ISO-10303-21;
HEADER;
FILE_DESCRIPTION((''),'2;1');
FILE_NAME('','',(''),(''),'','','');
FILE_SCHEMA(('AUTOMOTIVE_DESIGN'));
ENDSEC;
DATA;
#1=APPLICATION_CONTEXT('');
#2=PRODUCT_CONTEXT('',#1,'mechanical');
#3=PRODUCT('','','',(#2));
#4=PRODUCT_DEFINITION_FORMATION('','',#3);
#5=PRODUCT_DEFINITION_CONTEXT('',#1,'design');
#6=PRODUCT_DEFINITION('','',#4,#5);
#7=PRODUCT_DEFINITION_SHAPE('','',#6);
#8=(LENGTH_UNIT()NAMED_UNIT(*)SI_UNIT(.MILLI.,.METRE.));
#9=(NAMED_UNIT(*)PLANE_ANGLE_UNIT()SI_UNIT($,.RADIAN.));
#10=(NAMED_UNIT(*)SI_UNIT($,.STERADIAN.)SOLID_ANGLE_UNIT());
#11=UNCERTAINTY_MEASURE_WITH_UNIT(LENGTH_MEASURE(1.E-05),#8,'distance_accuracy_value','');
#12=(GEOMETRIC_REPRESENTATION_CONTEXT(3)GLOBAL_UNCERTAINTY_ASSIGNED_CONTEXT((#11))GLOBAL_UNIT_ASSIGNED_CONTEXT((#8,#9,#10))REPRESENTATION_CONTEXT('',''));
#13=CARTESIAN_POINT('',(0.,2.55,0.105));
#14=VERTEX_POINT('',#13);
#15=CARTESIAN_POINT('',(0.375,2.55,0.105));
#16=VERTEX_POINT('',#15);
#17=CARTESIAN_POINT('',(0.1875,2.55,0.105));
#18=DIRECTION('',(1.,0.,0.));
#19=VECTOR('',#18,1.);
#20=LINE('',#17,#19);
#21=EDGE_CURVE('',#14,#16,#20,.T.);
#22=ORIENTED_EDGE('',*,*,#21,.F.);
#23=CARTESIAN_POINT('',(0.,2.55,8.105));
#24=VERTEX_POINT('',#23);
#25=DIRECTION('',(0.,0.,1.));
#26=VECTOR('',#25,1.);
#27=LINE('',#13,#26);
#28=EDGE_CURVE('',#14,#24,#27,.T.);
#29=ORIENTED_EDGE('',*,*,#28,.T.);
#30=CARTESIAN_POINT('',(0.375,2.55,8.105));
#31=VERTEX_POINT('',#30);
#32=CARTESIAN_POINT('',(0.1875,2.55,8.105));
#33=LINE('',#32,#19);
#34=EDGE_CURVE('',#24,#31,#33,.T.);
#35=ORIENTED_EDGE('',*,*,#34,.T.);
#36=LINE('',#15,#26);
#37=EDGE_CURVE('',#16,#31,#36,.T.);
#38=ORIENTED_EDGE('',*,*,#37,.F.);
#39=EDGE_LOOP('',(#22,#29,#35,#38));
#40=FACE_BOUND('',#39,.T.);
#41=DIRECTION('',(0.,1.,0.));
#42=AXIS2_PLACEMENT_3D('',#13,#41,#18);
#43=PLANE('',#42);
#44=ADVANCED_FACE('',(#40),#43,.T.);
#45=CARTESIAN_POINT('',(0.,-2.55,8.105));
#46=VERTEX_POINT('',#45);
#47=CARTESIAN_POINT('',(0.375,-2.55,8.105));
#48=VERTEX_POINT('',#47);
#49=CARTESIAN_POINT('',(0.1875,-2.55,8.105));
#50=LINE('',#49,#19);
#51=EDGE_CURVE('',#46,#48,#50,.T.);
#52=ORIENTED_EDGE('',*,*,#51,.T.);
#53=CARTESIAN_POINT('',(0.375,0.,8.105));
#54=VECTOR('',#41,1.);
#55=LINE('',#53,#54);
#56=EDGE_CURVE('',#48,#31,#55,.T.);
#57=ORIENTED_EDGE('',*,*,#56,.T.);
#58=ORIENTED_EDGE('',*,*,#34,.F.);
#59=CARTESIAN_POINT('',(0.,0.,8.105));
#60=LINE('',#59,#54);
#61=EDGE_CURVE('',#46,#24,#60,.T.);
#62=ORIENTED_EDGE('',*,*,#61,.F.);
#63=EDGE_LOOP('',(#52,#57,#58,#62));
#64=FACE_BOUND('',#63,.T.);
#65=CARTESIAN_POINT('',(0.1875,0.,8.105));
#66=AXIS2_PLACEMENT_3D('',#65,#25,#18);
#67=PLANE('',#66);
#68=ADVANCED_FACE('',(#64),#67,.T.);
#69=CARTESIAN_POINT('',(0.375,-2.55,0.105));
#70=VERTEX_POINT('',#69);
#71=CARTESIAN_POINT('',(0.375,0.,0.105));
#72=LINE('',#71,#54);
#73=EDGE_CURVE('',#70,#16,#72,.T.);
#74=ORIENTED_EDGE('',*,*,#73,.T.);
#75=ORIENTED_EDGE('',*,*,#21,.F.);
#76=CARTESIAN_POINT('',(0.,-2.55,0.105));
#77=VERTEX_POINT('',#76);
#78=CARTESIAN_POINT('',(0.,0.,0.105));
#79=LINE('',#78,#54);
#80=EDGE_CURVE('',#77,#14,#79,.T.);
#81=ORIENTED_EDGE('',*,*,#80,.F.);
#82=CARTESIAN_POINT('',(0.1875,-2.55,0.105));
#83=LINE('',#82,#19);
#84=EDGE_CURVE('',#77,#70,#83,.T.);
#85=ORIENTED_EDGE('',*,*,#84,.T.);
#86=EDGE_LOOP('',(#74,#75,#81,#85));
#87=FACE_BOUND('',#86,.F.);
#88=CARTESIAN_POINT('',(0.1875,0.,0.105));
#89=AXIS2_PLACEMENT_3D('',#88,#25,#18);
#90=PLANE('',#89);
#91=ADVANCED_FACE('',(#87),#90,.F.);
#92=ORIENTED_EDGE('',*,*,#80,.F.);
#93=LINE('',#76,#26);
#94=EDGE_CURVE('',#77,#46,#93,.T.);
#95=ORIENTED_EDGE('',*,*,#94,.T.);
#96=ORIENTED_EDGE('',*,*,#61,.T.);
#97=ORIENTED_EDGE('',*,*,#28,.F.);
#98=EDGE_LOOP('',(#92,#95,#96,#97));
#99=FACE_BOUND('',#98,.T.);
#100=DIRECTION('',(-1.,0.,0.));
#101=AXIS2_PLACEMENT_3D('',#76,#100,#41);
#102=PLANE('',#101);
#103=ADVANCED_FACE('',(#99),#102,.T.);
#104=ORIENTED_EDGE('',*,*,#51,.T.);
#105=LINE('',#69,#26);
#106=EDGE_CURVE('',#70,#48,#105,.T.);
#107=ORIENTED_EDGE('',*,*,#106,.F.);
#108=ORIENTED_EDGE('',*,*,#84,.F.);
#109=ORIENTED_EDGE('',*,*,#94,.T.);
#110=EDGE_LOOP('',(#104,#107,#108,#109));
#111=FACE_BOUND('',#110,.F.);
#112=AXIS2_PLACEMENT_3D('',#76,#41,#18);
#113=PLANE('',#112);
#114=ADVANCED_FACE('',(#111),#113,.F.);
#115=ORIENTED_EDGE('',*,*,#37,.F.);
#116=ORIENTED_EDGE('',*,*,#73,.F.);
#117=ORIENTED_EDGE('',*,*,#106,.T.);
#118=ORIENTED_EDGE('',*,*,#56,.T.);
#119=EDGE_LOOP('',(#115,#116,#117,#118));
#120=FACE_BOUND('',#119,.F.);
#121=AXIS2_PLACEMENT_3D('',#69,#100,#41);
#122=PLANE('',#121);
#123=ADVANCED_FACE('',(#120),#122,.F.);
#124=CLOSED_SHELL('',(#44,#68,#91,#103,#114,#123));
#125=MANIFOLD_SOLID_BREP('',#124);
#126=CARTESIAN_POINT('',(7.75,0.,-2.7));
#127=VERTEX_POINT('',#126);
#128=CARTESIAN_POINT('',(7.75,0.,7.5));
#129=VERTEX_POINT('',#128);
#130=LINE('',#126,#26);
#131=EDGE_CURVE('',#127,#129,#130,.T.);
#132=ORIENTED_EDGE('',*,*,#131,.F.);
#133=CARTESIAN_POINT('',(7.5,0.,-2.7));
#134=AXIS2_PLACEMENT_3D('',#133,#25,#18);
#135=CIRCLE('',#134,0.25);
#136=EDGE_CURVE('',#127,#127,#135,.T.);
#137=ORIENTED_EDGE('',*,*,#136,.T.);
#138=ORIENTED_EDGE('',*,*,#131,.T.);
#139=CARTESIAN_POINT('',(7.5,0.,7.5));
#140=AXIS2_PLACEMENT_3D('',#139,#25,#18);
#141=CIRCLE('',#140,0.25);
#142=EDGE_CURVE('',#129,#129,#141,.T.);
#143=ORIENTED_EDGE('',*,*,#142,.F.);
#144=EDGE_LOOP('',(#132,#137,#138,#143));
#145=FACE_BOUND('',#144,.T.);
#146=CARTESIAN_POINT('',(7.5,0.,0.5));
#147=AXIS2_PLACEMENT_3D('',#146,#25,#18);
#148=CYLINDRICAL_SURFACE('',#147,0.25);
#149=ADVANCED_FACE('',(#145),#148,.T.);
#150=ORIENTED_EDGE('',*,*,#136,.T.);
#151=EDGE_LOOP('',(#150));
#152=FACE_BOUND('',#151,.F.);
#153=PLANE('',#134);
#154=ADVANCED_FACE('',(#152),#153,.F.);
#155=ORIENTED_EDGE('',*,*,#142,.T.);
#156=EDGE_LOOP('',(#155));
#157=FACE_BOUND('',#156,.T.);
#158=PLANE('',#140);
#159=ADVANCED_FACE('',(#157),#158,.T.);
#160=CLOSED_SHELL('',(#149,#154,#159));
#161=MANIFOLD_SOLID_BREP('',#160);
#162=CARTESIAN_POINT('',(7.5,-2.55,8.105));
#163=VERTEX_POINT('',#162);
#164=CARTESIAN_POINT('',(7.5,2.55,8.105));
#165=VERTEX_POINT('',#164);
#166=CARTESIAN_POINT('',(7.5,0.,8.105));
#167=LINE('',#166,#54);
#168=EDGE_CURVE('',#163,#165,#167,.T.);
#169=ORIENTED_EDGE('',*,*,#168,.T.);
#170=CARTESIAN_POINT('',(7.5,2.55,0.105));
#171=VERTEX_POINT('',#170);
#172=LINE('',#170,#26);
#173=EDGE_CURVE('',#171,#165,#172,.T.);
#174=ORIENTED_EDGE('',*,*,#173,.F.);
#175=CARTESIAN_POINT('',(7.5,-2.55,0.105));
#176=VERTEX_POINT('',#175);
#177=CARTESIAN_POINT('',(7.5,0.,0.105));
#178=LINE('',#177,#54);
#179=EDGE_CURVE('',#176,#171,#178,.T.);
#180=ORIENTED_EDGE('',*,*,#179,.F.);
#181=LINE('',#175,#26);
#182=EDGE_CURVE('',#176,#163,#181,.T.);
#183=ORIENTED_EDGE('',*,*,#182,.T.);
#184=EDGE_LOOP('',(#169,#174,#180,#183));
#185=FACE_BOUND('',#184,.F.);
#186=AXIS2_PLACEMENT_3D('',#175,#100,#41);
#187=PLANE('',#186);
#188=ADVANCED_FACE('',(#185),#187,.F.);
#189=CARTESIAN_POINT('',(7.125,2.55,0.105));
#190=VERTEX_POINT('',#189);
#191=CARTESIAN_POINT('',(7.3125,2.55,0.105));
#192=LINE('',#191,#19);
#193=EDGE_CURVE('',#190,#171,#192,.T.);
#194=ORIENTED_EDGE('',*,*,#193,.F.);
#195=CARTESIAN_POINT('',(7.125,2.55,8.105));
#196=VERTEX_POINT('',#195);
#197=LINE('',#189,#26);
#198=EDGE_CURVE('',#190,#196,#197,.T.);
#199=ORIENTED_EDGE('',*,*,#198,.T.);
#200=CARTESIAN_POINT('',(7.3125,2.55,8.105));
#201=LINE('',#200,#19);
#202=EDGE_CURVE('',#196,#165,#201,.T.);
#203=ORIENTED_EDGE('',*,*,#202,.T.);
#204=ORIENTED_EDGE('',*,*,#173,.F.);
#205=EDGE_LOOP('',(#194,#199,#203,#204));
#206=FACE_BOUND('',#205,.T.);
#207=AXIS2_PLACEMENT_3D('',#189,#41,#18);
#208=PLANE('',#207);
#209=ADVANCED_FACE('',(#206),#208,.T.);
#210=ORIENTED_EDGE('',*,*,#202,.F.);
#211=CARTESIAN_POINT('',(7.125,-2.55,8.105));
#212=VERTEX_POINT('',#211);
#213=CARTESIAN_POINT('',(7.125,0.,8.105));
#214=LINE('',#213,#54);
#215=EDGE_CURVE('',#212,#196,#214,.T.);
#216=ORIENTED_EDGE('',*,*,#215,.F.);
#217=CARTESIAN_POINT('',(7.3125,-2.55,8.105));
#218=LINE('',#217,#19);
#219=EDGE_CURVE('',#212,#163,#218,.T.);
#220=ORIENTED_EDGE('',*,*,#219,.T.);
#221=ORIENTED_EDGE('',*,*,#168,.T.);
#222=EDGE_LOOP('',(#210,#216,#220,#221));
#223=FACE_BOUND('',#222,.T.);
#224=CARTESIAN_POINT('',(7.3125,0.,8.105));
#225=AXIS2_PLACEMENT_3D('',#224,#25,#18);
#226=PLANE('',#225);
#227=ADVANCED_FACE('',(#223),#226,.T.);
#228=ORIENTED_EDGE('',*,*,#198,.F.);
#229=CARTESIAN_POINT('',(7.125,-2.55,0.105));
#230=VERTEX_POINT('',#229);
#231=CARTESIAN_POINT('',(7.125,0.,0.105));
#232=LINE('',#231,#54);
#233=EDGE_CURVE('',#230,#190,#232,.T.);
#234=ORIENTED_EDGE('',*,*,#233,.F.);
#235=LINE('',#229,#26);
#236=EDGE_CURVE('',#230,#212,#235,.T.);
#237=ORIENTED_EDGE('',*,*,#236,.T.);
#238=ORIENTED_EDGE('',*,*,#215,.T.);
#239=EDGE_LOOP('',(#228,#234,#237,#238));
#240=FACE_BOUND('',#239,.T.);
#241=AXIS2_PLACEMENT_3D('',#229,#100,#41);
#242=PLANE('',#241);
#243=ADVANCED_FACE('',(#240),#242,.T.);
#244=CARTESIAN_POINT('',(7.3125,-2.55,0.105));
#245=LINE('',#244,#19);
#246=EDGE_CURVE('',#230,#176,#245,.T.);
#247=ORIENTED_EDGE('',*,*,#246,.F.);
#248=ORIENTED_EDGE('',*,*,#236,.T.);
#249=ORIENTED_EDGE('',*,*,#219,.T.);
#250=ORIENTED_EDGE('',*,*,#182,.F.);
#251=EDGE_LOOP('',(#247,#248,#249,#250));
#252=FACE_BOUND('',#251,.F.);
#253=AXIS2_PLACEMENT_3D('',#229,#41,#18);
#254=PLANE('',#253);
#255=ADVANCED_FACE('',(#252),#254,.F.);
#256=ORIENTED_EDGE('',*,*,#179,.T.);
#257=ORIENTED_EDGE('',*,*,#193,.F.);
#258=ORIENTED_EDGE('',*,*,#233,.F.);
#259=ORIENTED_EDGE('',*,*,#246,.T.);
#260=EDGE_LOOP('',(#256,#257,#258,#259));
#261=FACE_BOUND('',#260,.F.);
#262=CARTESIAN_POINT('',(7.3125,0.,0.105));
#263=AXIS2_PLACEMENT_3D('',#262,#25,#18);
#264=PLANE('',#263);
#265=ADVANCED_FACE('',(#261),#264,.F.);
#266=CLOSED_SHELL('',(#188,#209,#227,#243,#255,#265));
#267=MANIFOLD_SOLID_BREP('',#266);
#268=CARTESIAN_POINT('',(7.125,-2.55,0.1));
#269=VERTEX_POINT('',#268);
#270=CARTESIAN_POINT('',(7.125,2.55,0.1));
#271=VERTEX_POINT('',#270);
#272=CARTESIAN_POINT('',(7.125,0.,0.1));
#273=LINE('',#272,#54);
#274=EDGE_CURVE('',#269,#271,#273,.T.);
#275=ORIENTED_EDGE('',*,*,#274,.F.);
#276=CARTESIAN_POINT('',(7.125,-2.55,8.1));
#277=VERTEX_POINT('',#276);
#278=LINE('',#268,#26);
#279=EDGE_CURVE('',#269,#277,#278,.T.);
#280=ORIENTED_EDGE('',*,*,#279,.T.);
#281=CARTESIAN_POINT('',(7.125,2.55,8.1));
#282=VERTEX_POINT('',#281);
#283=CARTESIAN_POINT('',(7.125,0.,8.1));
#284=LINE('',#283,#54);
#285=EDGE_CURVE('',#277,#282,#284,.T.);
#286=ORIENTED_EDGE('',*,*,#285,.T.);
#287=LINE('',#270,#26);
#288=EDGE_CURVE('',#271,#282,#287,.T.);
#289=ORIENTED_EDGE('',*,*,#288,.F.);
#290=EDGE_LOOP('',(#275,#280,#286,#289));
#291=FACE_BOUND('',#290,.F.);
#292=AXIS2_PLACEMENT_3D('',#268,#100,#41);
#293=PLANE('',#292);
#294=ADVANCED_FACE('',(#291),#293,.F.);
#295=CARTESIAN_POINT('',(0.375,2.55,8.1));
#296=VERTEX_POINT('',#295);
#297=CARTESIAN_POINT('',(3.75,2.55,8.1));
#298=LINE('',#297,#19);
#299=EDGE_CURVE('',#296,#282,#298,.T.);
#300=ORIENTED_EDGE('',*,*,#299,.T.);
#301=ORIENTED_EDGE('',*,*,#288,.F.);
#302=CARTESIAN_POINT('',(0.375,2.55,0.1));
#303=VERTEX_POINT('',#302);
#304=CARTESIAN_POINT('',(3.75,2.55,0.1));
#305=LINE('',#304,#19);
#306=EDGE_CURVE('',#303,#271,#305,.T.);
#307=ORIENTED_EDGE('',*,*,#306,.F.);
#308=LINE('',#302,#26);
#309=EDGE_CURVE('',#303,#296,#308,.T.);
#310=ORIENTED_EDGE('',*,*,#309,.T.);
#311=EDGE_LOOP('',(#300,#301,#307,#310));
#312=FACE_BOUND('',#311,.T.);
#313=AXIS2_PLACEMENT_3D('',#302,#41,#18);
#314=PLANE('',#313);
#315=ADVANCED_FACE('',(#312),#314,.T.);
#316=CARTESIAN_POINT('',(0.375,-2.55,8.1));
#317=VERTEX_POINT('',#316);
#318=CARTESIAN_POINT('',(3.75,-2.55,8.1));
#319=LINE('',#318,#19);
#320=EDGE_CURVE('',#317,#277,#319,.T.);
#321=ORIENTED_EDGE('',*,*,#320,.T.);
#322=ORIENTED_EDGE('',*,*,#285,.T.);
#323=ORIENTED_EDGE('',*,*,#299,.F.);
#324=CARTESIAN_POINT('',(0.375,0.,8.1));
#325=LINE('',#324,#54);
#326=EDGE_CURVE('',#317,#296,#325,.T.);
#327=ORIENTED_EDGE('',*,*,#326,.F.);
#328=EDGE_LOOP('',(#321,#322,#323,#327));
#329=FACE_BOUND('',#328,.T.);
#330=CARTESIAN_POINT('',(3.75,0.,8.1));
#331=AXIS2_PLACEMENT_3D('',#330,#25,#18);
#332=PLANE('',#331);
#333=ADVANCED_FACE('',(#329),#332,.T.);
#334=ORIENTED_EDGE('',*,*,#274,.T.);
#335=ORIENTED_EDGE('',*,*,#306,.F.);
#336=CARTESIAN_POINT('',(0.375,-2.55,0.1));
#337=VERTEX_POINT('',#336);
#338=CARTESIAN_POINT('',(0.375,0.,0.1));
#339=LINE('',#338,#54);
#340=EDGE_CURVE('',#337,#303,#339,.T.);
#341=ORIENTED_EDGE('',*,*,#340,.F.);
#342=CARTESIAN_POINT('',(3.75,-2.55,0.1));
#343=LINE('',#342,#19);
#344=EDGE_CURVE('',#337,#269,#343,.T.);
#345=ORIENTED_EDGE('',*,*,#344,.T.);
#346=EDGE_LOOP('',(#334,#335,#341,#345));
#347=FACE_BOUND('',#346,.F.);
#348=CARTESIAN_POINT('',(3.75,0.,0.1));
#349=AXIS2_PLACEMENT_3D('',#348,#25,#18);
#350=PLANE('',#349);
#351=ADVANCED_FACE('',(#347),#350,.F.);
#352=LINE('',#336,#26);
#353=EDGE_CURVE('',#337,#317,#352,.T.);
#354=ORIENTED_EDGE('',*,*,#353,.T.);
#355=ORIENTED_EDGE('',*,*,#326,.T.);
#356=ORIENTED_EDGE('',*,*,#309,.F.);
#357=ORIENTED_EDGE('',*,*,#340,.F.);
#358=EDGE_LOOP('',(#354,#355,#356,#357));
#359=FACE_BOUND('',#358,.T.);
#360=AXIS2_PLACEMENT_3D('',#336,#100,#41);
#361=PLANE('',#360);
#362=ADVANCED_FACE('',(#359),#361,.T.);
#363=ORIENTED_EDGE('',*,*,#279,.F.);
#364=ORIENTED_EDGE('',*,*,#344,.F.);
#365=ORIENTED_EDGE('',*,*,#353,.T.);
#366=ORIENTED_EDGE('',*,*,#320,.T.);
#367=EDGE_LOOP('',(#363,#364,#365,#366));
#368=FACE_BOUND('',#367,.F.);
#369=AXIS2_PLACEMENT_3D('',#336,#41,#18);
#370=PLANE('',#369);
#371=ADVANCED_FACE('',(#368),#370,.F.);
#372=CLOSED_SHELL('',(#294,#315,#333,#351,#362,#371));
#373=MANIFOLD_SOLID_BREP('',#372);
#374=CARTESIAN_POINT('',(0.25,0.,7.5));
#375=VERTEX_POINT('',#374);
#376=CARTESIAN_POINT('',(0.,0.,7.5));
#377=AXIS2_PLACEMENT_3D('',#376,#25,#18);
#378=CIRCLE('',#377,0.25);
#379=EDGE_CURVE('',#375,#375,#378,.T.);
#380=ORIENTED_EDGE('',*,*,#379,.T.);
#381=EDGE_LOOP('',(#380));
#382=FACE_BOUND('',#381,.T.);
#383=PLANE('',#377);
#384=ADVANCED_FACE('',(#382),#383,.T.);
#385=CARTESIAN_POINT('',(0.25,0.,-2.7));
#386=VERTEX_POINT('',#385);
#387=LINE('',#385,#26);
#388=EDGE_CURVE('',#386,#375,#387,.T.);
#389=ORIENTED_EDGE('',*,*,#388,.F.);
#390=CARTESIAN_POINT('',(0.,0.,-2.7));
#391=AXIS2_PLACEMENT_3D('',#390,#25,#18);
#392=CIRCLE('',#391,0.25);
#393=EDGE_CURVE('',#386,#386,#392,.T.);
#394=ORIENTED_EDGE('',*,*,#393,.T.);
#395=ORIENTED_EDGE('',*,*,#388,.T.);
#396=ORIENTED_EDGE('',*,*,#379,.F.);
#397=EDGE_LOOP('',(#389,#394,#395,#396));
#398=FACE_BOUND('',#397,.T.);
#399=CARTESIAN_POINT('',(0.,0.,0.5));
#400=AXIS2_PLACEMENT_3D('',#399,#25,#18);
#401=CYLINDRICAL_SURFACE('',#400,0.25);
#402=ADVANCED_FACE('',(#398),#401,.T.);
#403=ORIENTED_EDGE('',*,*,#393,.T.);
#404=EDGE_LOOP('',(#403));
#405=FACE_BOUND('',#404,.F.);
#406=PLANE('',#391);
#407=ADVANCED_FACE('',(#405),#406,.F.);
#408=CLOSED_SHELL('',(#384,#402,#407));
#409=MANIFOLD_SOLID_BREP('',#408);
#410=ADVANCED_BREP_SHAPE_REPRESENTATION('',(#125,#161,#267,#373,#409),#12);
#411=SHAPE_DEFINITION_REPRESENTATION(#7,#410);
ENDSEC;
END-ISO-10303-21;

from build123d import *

# Parameters (mm, degrees)
SKETCH_W          = 6.75
SKETCH_H          = 5.1
PAD_DEPTH         = 8
SKETCH001_R       = 0.25
PAD001_DEPTH      = 7
PAD001_DEPTH_BACK = 3.2
SKETCH002_W       = 0.375
SKETCH002_H       = 5.1
PAD002_DEPTH      = 8


with BuildPart() as pad:
    # Sketch → Pad (new body)
    with BuildSketch(Plane.XY.offset(0.1)):
        with Locations((3.75, 0)):
            Rectangle(SKETCH_W, SKETCH_H)
    extrude(amount=PAD_DEPTH)


with BuildPart() as pad001:
    # Sketch001 → Pad001 (new body, two sides)
    with BuildSketch(Plane.XY.offset(0.5)) as pad001_sk:
        Circle(SKETCH001_R)
        with Locations((7.5, 0)):
            Circle(SKETCH001_R)
    extrude(amount=PAD001_DEPTH)
    extrude(pad001_sk.sketch, amount=-PAD001_DEPTH_BACK)


with BuildPart() as pad002:
    # Sketch002 → Pad002 (new body)
    with BuildSketch(Plane.XY.offset(0.105)):
        with Locations((0.1875, 0)):
            Rectangle(SKETCH002_W, SKETCH002_H)
        with Locations((7.3125, 0)):
            Rectangle(SKETCH002_W, SKETCH002_H)
    extrude(amount=PAD002_DEPTH)


solid = Compound([pad.part, pad001.part, pad002.part])
